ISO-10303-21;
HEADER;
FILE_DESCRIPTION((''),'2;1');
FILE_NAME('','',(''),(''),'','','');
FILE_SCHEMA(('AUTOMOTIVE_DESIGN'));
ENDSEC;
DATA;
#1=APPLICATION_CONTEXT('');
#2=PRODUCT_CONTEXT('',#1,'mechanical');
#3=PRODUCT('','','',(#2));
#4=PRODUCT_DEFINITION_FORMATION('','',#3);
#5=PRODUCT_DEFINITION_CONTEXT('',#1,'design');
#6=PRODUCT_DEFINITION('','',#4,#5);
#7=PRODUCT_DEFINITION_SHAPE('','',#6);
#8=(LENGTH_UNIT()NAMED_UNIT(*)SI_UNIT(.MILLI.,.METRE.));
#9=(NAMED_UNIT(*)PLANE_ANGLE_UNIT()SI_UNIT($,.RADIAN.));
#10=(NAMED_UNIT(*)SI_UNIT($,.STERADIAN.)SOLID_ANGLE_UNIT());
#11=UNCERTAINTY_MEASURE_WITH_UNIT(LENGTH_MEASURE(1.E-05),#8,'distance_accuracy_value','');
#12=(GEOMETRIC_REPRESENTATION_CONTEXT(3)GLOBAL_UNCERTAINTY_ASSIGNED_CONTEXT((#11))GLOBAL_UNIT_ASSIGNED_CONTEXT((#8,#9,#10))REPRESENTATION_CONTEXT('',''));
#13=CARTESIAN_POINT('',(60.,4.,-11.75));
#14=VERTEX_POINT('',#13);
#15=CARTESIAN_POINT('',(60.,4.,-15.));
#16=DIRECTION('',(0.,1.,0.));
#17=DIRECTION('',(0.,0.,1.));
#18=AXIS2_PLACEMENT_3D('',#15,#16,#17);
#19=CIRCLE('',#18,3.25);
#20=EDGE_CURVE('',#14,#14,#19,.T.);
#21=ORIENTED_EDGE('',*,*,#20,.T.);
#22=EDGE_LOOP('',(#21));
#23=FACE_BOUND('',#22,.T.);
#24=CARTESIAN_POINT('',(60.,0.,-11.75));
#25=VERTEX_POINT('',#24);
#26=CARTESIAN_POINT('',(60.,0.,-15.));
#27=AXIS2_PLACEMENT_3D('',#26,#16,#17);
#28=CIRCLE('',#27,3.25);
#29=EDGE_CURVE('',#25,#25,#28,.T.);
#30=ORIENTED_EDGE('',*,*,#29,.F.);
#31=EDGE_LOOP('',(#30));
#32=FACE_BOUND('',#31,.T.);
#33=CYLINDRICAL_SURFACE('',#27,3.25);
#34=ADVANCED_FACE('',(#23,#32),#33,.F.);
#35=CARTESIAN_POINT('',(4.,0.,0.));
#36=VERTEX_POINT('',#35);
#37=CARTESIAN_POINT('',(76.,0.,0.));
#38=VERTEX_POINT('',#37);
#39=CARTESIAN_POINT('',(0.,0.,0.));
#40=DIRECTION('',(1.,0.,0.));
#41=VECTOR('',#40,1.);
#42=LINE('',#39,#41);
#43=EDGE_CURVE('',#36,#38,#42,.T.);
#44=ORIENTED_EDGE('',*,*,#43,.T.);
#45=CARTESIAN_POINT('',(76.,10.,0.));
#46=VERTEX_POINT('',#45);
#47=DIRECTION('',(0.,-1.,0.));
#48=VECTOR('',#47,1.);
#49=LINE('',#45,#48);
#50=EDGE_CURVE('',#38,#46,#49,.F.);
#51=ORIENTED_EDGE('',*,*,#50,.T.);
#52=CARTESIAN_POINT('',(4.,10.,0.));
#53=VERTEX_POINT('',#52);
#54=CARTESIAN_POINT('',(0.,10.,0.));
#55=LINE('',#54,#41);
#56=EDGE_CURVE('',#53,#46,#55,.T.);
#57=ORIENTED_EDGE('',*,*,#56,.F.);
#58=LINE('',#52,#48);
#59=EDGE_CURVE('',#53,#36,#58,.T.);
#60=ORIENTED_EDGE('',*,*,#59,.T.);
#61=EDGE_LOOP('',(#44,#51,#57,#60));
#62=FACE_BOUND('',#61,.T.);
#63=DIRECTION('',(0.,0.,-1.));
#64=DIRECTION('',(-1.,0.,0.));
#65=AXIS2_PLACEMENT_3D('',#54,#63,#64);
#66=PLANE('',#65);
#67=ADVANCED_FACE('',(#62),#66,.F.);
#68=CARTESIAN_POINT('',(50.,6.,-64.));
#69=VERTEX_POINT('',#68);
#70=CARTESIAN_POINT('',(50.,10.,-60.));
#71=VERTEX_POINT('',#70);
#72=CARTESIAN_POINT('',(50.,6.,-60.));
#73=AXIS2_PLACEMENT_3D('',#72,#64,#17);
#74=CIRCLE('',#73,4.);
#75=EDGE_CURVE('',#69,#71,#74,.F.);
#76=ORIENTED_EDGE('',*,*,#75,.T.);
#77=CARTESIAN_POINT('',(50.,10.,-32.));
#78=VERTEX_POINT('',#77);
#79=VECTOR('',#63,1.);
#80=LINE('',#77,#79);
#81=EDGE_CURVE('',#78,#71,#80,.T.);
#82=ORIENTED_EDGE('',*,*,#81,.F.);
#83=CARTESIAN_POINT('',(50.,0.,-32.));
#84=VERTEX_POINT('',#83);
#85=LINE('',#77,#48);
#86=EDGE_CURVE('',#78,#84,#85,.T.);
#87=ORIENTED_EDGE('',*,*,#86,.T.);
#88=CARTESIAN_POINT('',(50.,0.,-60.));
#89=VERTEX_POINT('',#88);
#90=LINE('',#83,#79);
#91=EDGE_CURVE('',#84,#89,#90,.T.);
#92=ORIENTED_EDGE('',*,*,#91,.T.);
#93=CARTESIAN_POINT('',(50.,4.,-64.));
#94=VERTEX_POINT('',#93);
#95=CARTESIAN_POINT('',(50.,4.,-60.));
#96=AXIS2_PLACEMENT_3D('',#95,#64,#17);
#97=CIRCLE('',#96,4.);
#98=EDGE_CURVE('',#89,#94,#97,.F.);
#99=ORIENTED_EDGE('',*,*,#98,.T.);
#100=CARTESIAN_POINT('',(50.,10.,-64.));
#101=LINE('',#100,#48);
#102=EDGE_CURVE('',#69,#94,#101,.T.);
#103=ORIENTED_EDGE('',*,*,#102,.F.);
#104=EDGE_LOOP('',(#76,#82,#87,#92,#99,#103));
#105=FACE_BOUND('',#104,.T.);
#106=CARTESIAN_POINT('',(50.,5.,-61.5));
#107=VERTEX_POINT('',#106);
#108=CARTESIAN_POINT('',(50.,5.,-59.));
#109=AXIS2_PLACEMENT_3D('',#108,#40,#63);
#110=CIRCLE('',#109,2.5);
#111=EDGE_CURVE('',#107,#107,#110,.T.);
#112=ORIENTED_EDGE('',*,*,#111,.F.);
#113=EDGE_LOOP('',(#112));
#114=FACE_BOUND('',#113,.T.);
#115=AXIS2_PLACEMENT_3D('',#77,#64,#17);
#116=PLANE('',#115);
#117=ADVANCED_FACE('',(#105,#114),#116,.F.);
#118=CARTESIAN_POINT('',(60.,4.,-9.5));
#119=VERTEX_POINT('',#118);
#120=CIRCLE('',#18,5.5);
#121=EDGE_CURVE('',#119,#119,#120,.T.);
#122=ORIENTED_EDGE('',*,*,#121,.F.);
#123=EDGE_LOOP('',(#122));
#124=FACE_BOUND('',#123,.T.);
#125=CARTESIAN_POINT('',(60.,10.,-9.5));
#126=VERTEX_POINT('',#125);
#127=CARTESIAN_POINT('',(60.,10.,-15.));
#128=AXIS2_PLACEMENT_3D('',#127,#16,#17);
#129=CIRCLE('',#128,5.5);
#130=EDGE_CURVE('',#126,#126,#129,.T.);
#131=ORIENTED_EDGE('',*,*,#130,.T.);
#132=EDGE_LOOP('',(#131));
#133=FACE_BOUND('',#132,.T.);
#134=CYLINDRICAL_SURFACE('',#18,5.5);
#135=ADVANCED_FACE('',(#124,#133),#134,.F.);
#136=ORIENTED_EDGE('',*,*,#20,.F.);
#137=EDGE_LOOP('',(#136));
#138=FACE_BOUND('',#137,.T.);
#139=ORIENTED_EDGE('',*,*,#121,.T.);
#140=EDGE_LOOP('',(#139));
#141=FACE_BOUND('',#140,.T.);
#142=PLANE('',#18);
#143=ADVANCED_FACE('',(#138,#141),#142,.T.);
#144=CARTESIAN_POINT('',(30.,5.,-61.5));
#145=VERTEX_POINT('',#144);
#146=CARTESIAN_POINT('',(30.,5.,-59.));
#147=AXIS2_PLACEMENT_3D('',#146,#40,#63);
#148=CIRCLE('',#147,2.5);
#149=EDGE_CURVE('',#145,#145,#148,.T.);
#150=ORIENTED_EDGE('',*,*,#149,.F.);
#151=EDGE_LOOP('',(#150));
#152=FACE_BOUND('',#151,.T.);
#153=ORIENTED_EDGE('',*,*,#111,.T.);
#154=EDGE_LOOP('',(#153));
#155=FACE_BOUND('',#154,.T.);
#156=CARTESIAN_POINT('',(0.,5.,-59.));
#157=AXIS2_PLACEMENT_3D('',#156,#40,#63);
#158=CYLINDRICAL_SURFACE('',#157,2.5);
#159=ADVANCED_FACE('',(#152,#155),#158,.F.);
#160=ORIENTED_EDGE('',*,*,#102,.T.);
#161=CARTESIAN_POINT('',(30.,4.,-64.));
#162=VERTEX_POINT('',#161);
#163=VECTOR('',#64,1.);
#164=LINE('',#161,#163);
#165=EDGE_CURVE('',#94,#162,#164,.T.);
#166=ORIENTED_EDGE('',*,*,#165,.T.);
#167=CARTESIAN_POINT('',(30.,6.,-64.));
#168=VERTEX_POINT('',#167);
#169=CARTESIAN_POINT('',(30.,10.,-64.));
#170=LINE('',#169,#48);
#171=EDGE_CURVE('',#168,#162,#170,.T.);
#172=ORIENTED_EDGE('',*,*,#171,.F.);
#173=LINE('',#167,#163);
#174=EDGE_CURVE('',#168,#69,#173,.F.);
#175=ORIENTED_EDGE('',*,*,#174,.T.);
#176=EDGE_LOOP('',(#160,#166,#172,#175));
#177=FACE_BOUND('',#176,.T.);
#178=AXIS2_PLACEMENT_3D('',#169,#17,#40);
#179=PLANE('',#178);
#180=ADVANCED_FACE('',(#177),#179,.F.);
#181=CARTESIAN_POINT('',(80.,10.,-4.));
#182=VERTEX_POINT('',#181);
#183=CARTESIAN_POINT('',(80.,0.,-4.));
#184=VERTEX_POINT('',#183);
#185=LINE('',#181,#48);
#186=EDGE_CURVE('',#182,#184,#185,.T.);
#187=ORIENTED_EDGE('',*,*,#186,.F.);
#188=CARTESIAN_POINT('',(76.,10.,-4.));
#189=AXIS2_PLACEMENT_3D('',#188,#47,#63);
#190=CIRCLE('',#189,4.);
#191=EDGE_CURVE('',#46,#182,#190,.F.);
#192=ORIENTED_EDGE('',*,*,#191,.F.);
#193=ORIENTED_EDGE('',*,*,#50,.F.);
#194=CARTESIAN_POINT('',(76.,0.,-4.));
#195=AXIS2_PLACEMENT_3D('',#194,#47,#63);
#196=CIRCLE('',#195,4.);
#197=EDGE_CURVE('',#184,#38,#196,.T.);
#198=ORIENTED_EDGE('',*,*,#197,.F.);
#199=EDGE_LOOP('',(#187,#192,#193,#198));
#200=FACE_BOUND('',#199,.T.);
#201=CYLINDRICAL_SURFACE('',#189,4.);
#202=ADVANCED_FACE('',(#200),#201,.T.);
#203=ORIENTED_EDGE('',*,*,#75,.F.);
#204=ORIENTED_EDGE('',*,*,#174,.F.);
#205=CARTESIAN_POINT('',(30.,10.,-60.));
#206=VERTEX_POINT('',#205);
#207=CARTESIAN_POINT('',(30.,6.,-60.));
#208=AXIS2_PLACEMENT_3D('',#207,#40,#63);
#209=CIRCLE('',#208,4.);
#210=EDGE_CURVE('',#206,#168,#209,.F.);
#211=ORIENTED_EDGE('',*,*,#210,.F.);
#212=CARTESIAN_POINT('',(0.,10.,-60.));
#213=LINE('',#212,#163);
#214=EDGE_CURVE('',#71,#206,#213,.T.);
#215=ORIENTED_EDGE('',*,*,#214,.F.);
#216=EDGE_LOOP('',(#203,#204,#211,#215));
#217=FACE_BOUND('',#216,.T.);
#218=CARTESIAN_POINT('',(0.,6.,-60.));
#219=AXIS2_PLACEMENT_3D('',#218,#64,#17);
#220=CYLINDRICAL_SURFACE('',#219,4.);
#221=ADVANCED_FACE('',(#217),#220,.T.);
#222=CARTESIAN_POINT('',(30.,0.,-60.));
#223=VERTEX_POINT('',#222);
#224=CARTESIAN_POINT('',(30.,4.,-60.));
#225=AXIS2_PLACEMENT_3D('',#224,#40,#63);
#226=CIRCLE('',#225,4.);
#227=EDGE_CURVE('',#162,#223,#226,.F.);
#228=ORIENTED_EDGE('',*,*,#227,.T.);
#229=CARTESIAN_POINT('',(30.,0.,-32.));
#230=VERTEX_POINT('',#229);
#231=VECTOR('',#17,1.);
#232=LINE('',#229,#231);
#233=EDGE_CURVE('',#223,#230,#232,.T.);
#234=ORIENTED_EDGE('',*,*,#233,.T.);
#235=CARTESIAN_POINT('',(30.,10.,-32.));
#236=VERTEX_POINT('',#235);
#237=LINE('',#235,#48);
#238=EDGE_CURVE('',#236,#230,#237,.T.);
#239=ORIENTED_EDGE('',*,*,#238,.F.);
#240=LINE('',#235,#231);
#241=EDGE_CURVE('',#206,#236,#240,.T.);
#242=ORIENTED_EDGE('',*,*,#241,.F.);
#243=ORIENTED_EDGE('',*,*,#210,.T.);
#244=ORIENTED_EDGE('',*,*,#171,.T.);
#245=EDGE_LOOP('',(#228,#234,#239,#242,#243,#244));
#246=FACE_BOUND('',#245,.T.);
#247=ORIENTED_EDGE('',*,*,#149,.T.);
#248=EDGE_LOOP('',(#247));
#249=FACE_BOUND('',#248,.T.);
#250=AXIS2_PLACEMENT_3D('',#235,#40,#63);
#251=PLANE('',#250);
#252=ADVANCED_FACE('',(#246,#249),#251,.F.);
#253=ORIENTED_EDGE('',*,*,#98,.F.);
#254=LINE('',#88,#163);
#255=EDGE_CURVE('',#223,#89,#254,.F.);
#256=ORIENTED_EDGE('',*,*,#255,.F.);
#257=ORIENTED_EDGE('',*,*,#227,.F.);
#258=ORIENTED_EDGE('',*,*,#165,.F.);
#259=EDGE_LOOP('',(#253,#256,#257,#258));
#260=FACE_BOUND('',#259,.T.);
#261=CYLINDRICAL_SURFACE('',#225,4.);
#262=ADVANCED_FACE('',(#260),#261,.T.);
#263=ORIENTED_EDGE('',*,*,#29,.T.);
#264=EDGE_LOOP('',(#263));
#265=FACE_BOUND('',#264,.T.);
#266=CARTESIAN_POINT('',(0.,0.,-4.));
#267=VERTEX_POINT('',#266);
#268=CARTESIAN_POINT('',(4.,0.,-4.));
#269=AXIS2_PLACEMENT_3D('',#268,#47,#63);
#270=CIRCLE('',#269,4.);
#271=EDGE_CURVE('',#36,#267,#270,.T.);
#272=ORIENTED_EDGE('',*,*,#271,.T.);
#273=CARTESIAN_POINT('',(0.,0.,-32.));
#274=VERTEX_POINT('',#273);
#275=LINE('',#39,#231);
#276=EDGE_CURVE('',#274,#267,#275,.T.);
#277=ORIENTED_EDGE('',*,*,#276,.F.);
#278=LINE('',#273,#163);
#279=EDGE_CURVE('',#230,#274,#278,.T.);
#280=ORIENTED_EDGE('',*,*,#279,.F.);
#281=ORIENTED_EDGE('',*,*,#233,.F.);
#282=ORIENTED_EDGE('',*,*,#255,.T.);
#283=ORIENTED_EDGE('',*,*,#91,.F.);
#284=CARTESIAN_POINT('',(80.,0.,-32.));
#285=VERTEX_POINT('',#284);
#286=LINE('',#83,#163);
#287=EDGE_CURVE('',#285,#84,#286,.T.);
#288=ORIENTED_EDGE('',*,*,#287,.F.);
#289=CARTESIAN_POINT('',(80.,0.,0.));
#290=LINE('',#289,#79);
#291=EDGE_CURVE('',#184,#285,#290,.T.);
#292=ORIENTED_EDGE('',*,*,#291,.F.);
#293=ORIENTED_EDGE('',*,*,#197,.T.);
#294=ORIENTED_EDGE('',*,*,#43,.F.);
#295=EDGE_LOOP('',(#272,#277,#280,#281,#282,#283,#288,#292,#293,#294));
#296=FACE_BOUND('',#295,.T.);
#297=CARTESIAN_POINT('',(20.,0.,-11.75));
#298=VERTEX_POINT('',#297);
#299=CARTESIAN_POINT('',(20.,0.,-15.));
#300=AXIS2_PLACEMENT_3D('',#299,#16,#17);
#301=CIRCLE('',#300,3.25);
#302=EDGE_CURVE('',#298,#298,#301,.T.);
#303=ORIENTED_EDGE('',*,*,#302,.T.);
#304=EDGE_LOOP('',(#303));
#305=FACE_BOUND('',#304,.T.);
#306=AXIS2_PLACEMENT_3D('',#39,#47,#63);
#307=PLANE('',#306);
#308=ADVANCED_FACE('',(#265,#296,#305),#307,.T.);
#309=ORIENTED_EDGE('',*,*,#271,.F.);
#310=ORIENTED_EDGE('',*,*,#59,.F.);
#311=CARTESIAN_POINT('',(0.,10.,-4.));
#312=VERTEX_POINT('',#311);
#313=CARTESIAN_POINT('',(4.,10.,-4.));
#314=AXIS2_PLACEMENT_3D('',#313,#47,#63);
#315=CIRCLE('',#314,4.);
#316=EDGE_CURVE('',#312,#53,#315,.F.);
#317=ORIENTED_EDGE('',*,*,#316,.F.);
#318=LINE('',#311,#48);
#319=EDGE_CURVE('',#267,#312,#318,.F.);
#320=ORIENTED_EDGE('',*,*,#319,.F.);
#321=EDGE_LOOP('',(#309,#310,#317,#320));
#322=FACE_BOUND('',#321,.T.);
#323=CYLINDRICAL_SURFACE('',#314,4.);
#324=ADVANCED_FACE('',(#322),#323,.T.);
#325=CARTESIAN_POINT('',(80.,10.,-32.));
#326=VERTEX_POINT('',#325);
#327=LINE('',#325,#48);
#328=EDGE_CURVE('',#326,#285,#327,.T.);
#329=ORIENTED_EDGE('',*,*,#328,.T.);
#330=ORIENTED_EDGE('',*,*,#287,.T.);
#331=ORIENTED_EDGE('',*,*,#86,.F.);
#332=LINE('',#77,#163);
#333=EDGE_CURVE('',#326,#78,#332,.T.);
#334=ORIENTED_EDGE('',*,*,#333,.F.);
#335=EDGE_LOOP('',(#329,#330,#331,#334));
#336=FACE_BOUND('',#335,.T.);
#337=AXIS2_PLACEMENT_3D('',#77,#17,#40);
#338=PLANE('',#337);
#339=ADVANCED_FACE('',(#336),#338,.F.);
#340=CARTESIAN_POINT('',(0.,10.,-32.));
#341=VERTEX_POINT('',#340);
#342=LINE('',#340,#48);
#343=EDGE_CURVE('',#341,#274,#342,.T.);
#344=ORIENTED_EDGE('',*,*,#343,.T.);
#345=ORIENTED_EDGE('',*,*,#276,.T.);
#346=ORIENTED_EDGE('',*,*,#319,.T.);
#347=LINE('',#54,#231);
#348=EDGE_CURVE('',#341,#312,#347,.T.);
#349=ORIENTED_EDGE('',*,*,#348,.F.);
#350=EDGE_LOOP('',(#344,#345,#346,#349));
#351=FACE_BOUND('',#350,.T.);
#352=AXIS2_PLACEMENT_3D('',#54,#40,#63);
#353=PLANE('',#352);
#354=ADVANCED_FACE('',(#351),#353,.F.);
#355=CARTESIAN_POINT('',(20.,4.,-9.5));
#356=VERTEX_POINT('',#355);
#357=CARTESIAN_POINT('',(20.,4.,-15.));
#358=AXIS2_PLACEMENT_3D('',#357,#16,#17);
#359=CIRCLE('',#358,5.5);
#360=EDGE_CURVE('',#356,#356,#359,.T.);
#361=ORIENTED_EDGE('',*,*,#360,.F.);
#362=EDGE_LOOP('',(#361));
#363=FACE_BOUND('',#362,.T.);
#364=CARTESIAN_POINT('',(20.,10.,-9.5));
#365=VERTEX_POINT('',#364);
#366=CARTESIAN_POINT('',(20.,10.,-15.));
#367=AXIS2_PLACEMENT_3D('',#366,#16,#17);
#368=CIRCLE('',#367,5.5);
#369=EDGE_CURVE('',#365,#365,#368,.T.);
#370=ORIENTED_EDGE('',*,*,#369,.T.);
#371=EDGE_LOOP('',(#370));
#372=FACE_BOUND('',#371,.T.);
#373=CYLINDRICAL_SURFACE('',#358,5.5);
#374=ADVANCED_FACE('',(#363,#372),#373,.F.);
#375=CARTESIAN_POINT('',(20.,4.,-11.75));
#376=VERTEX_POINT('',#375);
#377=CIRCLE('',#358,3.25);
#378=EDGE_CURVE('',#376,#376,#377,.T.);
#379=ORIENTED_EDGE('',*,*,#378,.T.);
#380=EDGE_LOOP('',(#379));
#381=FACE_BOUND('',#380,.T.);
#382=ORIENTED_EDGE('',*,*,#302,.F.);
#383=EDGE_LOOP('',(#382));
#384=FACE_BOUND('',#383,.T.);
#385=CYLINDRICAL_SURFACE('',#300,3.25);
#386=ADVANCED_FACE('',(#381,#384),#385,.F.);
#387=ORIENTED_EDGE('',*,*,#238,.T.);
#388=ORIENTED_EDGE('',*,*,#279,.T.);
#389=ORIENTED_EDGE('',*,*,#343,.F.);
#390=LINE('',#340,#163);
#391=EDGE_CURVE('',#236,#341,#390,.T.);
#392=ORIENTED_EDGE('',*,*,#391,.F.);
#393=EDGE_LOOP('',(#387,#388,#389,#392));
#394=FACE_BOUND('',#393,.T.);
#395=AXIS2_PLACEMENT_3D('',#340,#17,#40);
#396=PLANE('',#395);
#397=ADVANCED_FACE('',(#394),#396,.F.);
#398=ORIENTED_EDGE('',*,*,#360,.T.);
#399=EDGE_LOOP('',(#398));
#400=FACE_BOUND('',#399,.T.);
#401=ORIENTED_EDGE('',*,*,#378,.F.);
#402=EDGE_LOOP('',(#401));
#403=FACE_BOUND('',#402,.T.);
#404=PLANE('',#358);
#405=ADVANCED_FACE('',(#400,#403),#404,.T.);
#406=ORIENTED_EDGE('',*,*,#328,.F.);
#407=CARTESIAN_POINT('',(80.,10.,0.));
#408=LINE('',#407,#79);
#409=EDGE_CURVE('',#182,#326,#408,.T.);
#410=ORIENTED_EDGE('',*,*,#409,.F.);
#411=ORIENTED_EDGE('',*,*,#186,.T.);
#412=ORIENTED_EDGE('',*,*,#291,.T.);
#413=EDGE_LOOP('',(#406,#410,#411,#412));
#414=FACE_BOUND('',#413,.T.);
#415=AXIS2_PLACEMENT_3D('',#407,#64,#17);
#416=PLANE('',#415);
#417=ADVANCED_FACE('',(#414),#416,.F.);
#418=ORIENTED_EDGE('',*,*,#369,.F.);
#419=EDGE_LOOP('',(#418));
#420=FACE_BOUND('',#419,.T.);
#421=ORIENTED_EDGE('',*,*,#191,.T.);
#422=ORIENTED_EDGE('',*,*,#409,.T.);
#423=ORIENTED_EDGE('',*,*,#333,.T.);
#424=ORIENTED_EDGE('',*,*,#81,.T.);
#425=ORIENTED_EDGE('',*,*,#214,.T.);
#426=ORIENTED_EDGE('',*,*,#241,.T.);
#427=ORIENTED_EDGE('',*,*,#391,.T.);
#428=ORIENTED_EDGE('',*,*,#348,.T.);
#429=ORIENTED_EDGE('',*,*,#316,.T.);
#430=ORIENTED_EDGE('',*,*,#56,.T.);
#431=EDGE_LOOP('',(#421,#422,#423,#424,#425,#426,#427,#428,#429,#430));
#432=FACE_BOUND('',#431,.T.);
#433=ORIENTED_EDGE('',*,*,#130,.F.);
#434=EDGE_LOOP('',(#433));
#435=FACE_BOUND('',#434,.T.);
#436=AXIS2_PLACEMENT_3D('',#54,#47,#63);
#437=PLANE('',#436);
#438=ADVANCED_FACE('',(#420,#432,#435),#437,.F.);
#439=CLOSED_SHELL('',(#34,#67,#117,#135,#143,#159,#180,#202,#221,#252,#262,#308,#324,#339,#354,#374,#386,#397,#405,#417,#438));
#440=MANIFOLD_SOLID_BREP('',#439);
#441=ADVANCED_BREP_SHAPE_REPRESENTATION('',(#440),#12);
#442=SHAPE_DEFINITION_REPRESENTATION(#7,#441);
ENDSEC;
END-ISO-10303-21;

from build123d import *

# Parameters (mm, degrees)
EXTRUDE_1_DEPTH     = 10
FILLET_1_R          = 4
SKETCH_2_R          = 2.5
CUT_EXTRUDE_1_DEPTH = 82.829090182
FILLET_2_R          = 4
SKETCH_3_R          = 5.5
CUT_EXTRUDE_2_DEPTH = 6
SKETCH_4_R          = 3.25
CUT_EXTRUDE_3_DEPTH = 103.625532885


with BuildPart() as part:
    # 스케치1 → 보스-돌출1 (new body)
    with BuildSketch(Plane(origin=(0, 0, 0), x_dir=(1, 0, 0), z_dir=(0, 1, 0))):
        Polygon((50, 32), (80, 32), (80, 0), (0, 0), (0, 32), (30, 32), (30, 64), (50, 64), align=None)
    extrude(amount=EXTRUDE_1_DEPTH)

    # 필렛1
    fillet_1_edges = [part.edges().sort_by_distance(p)[0] for p in [
        (40, 10, -64),
        (40, 0, -64),
    ]]
    fillet(fillet_1_edges, radius=FILLET_1_R)

    # 스케치2 → 컷-돌출1 (cut, through all)
    with BuildSketch(Plane(origin=(50, 0, 0), x_dir=(0, 0, -1), z_dir=(1, 0, 0))):
        with Locations((59, 5)):
            Circle(SKETCH_2_R)
    extrude(amount=-CUT_EXTRUDE_1_DEPTH, mode=Mode.SUBTRACT)

    # 필렛2
    fillet_2_edges = [part.edges().sort_by_distance(p)[0] for p in [
        (80, 5, 0),
        (0, 5, 0),
    ]]
    fillet(fillet_2_edges, radius=FILLET_2_R)

    # 스케치3 → 컷-돌출2 (cut)
    with BuildSketch(Plane(origin=(0, 10, 0), x_dir=(1, 0, 0), z_dir=(0, 1, 0))):
        with Locations(Location((20, 15, 0), (0, 0, 270))):
            Circle(SKETCH_3_R)
        with Locations(Location((60, 15, 0), (0, 0, 270))):
            Circle(SKETCH_3_R)
    extrude(amount=-CUT_EXTRUDE_2_DEPTH, mode=Mode.SUBTRACT)

    # 스케치4 → 컷-돌출3 (cut, through all)
    with BuildSketch(Plane(origin=(0, 4, 0), x_dir=(1, 0, 0), z_dir=(0, 1, 0))):
        with Locations(Location((20, 15, 0), (0, 0, 270))):
            Circle(SKETCH_4_R)
        with Locations(Location((60, 15, 0), (0, 0, 270))):
            Circle(SKETCH_4_R)
    extrude(amount=-CUT_EXTRUDE_3_DEPTH, mode=Mode.SUBTRACT)


solid = part.part
